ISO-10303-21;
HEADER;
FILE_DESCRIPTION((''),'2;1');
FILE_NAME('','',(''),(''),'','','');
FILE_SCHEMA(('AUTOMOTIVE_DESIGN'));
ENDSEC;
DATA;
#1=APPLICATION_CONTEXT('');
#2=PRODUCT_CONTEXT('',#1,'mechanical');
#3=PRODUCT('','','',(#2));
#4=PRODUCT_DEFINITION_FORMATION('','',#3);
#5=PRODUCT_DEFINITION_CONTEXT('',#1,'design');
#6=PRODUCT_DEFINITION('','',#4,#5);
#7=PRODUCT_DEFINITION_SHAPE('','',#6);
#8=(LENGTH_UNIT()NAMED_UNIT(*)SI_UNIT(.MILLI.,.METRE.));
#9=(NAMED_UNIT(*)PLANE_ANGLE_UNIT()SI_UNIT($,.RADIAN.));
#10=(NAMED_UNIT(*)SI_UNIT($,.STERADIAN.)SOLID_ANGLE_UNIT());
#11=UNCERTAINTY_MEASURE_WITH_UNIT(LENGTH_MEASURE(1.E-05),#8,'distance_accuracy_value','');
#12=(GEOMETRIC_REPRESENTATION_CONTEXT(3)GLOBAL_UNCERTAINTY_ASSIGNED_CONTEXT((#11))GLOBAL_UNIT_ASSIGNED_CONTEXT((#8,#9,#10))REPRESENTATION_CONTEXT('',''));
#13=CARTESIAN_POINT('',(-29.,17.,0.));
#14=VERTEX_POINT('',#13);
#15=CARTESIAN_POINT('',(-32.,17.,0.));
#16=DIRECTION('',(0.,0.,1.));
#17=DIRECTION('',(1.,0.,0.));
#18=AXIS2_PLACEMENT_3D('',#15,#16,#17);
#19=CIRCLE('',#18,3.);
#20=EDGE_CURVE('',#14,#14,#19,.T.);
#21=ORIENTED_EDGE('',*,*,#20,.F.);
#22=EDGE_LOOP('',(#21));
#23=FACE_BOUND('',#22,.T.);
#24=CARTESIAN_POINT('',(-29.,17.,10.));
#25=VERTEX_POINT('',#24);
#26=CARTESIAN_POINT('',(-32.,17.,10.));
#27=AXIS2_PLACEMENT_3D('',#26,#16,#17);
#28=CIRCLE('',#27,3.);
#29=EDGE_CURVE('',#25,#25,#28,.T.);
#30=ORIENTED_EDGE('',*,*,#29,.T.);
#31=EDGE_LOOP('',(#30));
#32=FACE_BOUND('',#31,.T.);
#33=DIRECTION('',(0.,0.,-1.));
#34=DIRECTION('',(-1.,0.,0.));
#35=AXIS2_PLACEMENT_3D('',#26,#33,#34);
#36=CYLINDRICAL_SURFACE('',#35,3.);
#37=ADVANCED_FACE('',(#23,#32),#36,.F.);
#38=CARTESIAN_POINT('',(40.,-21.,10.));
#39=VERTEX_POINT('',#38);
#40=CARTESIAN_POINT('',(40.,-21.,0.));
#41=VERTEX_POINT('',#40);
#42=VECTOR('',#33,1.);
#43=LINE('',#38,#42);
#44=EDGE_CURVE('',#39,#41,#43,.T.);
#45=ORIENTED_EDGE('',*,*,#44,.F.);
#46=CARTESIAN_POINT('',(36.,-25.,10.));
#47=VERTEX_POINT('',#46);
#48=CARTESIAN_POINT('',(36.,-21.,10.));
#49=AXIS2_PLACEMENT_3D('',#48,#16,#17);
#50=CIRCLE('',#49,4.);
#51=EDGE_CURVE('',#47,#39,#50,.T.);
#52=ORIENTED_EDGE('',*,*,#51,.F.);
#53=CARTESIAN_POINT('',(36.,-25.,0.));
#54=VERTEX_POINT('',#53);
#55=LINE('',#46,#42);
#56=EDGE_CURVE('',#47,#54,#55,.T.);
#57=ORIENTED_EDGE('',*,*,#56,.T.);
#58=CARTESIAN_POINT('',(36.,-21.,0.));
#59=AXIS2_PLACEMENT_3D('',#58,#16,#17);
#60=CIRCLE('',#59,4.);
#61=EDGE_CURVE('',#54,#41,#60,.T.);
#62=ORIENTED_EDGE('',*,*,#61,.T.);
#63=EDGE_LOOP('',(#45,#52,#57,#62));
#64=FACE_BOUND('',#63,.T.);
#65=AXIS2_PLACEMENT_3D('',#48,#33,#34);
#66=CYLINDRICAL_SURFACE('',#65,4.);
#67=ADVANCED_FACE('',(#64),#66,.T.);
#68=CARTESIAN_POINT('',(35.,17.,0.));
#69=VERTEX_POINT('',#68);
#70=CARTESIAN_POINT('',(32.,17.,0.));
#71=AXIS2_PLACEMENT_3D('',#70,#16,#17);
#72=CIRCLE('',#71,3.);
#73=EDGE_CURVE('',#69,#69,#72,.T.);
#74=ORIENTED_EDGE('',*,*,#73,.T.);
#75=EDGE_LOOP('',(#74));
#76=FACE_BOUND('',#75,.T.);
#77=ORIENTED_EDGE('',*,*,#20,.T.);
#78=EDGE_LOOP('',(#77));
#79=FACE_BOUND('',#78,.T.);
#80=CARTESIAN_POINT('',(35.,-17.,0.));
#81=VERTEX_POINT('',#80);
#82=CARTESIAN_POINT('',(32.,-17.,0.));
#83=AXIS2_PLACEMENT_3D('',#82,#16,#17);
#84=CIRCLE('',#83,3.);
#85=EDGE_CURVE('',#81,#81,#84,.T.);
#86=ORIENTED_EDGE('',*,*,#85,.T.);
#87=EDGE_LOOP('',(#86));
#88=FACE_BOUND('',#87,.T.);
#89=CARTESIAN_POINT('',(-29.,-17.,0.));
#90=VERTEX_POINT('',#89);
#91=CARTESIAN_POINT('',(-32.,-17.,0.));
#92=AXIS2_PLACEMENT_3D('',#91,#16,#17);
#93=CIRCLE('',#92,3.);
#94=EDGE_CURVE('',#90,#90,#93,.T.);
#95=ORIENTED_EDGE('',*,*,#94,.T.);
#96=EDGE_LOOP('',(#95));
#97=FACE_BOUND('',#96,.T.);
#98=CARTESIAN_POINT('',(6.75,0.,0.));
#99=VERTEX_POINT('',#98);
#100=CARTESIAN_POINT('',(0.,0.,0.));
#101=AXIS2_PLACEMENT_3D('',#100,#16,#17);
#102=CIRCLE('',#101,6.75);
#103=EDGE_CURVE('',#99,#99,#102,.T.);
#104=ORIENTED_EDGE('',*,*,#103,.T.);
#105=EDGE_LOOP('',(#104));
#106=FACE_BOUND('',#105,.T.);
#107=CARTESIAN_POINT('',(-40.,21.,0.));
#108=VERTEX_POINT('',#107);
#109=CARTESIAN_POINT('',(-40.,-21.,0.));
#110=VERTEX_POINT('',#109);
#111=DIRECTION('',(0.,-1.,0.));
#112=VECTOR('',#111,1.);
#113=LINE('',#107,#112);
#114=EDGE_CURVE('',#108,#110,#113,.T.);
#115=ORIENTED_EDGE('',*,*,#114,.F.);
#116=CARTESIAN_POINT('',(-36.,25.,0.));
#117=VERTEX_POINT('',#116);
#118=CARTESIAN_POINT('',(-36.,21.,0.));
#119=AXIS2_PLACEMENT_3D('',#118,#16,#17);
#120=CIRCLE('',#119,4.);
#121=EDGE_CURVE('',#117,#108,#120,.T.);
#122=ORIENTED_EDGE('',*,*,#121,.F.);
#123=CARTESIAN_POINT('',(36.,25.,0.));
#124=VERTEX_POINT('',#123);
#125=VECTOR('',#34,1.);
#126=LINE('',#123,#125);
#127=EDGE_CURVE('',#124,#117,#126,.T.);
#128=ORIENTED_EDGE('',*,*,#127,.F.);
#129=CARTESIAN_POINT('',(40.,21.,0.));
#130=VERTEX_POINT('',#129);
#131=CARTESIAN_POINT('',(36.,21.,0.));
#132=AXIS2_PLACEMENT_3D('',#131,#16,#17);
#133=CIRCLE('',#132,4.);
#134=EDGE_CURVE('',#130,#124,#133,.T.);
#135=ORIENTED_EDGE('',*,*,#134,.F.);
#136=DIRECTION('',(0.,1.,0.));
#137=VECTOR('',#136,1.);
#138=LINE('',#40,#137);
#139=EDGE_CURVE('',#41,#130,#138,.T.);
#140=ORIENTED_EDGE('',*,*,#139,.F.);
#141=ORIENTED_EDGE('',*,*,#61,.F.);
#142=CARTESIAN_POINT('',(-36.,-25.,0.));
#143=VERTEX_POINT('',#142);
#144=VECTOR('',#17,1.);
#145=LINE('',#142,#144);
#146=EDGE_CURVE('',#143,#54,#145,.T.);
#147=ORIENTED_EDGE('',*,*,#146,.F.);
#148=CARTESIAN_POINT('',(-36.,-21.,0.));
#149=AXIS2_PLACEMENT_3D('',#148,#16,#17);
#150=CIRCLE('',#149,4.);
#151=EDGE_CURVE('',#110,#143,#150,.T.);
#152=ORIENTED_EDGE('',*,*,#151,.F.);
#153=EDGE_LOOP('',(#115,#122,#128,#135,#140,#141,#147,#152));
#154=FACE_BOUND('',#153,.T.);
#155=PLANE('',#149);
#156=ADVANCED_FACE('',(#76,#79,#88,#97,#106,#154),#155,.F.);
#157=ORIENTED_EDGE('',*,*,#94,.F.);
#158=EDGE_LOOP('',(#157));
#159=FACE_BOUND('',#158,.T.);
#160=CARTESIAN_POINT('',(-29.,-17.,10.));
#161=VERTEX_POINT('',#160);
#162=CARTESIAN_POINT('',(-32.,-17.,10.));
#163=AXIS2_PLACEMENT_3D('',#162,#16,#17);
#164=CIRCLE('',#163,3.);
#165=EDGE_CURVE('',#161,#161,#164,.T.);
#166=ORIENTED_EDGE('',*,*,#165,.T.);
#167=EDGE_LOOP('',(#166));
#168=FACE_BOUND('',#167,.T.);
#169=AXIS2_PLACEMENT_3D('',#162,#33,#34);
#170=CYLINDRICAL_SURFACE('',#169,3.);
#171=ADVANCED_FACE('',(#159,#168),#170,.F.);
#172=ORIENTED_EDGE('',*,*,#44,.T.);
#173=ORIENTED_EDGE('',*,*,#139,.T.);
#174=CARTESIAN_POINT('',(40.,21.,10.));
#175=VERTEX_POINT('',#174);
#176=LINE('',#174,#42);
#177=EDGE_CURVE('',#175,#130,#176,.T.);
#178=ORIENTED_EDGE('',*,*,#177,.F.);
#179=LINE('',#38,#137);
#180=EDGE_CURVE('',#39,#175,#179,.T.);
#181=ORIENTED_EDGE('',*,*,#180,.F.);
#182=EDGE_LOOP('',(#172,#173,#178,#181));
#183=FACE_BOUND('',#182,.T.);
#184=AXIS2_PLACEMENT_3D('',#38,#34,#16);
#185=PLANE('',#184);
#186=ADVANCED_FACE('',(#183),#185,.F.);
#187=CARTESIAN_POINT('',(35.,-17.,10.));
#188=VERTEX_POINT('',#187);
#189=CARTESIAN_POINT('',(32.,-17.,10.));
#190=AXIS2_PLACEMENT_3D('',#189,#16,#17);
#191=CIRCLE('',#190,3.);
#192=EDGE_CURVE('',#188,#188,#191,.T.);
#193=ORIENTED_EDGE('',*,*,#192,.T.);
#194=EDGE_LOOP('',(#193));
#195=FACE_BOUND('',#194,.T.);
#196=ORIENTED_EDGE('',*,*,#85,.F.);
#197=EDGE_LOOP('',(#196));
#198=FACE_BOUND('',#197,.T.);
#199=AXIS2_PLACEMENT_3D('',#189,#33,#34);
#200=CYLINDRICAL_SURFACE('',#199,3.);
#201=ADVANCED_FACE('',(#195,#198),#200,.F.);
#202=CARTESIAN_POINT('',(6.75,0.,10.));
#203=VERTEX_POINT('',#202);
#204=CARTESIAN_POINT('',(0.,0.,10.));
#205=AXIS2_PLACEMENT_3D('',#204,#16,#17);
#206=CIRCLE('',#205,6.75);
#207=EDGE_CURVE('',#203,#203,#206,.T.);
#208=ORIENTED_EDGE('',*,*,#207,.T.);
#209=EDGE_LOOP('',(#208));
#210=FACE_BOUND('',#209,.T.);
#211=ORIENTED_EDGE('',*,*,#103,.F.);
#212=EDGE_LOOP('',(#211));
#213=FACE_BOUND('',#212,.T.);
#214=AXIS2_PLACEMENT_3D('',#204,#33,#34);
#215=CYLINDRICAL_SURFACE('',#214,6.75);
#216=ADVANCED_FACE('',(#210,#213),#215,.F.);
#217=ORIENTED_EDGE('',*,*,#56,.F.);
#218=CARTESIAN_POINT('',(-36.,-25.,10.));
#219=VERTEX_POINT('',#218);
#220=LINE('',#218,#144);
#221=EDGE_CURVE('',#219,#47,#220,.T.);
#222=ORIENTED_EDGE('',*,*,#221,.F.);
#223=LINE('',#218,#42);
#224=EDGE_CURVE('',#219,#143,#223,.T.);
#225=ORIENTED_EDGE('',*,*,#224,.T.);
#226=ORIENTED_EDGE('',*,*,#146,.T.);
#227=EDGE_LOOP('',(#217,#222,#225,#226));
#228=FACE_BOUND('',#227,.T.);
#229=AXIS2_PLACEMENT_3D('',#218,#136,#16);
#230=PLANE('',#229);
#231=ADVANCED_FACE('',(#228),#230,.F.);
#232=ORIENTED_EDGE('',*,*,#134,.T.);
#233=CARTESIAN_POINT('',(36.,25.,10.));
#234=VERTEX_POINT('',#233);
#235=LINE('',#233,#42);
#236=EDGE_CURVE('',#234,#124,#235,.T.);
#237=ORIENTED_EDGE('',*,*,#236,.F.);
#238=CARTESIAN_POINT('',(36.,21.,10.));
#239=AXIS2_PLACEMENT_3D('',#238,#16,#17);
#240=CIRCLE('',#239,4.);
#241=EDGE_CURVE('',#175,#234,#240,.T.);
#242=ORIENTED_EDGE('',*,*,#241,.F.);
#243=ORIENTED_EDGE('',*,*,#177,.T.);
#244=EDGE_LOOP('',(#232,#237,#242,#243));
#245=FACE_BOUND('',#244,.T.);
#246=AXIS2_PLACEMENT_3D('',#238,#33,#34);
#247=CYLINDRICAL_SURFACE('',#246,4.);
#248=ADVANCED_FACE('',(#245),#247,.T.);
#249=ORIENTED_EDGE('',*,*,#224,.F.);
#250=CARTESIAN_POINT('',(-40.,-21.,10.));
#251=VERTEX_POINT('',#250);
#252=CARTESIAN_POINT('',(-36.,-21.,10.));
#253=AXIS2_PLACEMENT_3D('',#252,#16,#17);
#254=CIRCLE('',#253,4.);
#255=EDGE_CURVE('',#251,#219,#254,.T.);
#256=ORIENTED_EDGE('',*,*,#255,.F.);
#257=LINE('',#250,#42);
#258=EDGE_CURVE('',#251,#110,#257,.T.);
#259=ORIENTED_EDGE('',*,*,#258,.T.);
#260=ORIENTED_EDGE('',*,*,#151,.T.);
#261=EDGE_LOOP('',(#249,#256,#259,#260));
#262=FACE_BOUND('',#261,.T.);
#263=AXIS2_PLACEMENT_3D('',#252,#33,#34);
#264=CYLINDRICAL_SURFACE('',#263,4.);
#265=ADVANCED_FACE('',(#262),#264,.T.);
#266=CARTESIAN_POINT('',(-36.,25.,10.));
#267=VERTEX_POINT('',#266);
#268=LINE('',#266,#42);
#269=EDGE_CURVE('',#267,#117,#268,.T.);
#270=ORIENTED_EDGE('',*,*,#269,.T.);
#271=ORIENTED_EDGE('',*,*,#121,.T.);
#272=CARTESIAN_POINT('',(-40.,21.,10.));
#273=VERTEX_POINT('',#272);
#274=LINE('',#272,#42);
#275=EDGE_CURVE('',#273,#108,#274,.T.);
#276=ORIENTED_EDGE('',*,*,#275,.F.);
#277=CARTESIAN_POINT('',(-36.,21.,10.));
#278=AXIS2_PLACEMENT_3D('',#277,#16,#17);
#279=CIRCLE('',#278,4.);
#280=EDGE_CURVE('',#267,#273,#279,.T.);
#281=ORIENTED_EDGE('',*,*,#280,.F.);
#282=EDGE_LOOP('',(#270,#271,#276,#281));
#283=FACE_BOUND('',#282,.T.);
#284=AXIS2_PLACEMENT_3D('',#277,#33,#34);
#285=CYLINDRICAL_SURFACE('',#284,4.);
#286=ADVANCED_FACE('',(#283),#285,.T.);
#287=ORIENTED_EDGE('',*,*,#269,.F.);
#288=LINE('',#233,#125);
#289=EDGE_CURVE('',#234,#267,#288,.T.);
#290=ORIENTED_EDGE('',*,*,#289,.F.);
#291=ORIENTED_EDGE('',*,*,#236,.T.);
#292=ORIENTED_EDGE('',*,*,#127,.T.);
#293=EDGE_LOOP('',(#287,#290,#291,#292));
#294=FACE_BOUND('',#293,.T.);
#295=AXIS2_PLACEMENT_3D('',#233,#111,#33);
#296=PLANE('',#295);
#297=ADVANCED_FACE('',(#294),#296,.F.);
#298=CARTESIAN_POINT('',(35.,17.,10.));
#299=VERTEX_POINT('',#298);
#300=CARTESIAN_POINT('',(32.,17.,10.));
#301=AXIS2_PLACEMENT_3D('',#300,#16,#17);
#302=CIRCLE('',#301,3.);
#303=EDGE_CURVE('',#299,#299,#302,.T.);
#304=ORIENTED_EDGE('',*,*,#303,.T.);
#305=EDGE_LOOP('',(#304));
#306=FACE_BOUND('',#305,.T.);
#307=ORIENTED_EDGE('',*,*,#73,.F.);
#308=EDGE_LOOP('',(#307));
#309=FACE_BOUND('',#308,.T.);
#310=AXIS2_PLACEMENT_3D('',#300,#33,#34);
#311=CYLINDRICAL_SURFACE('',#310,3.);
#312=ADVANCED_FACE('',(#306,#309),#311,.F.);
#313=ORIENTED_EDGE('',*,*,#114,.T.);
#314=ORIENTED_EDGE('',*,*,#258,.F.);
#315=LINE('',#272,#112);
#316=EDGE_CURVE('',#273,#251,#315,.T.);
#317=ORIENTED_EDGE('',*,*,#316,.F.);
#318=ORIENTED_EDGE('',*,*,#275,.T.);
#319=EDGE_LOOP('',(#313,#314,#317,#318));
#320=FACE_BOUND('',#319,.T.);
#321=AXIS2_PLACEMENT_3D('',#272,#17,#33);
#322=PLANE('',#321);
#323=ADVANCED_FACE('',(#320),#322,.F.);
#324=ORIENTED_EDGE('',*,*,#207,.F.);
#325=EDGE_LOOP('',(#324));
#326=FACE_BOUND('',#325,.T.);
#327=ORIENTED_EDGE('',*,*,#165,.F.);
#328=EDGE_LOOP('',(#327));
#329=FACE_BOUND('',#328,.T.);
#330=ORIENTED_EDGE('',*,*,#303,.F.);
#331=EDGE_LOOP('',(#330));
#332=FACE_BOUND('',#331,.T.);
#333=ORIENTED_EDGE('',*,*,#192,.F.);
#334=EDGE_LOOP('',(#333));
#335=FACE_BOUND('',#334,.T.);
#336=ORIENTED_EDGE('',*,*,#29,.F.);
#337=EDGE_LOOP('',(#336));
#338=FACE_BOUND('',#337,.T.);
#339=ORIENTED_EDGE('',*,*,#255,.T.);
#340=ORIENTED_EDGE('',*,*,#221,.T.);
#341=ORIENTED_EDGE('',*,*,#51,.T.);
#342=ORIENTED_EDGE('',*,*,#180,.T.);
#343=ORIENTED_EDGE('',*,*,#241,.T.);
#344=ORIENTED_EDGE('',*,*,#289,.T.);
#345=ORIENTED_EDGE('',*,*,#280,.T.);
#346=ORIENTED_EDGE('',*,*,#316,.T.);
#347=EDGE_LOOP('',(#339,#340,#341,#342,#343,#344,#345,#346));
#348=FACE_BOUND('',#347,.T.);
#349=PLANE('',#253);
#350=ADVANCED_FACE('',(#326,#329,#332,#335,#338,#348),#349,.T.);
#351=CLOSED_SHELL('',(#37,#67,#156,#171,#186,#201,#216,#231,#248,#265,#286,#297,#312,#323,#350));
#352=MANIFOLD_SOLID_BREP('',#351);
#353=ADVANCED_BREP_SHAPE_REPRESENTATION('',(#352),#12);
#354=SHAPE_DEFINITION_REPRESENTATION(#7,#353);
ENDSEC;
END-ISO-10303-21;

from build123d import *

# Parameters (mm, degrees)
MODEL_R             = 3
MODEL_R_2           = 6.75
BOSS_EXTRUDE1_DEPTH = 10


with BuildPart() as part:
    # Model → Boss-Extrude1 (new body)
    with BuildSketch(Plane.XY):
        with BuildLine():
            Line((-36, -25), (36, -25))
            ThreePointArc((36, -25), (38.828427125, -23.828427125), (40, -21))
            Line((40, -21), (40, 21))
            ThreePointArc((40, 21), (38.828427125, 23.828427125), (36, 25))
            Line((36, 25), (-36, 25))
            ThreePointArc((-36, 25), (-38.828427125, 23.828427125), (-40, 21))
            Line((-40, 21), (-40, -21))
            ThreePointArc((-40, -21), (-38.828427125, -23.828427125), (-36, -25))
        make_face()
        with Locations((-32, 17)):
            Circle(MODEL_R, mode=Mode.SUBTRACT)
        with Locations((32, -17)):
            Circle(MODEL_R, mode=Mode.SUBTRACT)
        with Locations((32, 17)):
            Circle(MODEL_R, mode=Mode.SUBTRACT)
        with Locations((-32, -17)):
            Circle(MODEL_R, mode=Mode.SUBTRACT)
        Circle(MODEL_R_2, mode=Mode.SUBTRACT)
    extrude(amount=BOSS_EXTRUDE1_DEPTH)


solid = part.part
